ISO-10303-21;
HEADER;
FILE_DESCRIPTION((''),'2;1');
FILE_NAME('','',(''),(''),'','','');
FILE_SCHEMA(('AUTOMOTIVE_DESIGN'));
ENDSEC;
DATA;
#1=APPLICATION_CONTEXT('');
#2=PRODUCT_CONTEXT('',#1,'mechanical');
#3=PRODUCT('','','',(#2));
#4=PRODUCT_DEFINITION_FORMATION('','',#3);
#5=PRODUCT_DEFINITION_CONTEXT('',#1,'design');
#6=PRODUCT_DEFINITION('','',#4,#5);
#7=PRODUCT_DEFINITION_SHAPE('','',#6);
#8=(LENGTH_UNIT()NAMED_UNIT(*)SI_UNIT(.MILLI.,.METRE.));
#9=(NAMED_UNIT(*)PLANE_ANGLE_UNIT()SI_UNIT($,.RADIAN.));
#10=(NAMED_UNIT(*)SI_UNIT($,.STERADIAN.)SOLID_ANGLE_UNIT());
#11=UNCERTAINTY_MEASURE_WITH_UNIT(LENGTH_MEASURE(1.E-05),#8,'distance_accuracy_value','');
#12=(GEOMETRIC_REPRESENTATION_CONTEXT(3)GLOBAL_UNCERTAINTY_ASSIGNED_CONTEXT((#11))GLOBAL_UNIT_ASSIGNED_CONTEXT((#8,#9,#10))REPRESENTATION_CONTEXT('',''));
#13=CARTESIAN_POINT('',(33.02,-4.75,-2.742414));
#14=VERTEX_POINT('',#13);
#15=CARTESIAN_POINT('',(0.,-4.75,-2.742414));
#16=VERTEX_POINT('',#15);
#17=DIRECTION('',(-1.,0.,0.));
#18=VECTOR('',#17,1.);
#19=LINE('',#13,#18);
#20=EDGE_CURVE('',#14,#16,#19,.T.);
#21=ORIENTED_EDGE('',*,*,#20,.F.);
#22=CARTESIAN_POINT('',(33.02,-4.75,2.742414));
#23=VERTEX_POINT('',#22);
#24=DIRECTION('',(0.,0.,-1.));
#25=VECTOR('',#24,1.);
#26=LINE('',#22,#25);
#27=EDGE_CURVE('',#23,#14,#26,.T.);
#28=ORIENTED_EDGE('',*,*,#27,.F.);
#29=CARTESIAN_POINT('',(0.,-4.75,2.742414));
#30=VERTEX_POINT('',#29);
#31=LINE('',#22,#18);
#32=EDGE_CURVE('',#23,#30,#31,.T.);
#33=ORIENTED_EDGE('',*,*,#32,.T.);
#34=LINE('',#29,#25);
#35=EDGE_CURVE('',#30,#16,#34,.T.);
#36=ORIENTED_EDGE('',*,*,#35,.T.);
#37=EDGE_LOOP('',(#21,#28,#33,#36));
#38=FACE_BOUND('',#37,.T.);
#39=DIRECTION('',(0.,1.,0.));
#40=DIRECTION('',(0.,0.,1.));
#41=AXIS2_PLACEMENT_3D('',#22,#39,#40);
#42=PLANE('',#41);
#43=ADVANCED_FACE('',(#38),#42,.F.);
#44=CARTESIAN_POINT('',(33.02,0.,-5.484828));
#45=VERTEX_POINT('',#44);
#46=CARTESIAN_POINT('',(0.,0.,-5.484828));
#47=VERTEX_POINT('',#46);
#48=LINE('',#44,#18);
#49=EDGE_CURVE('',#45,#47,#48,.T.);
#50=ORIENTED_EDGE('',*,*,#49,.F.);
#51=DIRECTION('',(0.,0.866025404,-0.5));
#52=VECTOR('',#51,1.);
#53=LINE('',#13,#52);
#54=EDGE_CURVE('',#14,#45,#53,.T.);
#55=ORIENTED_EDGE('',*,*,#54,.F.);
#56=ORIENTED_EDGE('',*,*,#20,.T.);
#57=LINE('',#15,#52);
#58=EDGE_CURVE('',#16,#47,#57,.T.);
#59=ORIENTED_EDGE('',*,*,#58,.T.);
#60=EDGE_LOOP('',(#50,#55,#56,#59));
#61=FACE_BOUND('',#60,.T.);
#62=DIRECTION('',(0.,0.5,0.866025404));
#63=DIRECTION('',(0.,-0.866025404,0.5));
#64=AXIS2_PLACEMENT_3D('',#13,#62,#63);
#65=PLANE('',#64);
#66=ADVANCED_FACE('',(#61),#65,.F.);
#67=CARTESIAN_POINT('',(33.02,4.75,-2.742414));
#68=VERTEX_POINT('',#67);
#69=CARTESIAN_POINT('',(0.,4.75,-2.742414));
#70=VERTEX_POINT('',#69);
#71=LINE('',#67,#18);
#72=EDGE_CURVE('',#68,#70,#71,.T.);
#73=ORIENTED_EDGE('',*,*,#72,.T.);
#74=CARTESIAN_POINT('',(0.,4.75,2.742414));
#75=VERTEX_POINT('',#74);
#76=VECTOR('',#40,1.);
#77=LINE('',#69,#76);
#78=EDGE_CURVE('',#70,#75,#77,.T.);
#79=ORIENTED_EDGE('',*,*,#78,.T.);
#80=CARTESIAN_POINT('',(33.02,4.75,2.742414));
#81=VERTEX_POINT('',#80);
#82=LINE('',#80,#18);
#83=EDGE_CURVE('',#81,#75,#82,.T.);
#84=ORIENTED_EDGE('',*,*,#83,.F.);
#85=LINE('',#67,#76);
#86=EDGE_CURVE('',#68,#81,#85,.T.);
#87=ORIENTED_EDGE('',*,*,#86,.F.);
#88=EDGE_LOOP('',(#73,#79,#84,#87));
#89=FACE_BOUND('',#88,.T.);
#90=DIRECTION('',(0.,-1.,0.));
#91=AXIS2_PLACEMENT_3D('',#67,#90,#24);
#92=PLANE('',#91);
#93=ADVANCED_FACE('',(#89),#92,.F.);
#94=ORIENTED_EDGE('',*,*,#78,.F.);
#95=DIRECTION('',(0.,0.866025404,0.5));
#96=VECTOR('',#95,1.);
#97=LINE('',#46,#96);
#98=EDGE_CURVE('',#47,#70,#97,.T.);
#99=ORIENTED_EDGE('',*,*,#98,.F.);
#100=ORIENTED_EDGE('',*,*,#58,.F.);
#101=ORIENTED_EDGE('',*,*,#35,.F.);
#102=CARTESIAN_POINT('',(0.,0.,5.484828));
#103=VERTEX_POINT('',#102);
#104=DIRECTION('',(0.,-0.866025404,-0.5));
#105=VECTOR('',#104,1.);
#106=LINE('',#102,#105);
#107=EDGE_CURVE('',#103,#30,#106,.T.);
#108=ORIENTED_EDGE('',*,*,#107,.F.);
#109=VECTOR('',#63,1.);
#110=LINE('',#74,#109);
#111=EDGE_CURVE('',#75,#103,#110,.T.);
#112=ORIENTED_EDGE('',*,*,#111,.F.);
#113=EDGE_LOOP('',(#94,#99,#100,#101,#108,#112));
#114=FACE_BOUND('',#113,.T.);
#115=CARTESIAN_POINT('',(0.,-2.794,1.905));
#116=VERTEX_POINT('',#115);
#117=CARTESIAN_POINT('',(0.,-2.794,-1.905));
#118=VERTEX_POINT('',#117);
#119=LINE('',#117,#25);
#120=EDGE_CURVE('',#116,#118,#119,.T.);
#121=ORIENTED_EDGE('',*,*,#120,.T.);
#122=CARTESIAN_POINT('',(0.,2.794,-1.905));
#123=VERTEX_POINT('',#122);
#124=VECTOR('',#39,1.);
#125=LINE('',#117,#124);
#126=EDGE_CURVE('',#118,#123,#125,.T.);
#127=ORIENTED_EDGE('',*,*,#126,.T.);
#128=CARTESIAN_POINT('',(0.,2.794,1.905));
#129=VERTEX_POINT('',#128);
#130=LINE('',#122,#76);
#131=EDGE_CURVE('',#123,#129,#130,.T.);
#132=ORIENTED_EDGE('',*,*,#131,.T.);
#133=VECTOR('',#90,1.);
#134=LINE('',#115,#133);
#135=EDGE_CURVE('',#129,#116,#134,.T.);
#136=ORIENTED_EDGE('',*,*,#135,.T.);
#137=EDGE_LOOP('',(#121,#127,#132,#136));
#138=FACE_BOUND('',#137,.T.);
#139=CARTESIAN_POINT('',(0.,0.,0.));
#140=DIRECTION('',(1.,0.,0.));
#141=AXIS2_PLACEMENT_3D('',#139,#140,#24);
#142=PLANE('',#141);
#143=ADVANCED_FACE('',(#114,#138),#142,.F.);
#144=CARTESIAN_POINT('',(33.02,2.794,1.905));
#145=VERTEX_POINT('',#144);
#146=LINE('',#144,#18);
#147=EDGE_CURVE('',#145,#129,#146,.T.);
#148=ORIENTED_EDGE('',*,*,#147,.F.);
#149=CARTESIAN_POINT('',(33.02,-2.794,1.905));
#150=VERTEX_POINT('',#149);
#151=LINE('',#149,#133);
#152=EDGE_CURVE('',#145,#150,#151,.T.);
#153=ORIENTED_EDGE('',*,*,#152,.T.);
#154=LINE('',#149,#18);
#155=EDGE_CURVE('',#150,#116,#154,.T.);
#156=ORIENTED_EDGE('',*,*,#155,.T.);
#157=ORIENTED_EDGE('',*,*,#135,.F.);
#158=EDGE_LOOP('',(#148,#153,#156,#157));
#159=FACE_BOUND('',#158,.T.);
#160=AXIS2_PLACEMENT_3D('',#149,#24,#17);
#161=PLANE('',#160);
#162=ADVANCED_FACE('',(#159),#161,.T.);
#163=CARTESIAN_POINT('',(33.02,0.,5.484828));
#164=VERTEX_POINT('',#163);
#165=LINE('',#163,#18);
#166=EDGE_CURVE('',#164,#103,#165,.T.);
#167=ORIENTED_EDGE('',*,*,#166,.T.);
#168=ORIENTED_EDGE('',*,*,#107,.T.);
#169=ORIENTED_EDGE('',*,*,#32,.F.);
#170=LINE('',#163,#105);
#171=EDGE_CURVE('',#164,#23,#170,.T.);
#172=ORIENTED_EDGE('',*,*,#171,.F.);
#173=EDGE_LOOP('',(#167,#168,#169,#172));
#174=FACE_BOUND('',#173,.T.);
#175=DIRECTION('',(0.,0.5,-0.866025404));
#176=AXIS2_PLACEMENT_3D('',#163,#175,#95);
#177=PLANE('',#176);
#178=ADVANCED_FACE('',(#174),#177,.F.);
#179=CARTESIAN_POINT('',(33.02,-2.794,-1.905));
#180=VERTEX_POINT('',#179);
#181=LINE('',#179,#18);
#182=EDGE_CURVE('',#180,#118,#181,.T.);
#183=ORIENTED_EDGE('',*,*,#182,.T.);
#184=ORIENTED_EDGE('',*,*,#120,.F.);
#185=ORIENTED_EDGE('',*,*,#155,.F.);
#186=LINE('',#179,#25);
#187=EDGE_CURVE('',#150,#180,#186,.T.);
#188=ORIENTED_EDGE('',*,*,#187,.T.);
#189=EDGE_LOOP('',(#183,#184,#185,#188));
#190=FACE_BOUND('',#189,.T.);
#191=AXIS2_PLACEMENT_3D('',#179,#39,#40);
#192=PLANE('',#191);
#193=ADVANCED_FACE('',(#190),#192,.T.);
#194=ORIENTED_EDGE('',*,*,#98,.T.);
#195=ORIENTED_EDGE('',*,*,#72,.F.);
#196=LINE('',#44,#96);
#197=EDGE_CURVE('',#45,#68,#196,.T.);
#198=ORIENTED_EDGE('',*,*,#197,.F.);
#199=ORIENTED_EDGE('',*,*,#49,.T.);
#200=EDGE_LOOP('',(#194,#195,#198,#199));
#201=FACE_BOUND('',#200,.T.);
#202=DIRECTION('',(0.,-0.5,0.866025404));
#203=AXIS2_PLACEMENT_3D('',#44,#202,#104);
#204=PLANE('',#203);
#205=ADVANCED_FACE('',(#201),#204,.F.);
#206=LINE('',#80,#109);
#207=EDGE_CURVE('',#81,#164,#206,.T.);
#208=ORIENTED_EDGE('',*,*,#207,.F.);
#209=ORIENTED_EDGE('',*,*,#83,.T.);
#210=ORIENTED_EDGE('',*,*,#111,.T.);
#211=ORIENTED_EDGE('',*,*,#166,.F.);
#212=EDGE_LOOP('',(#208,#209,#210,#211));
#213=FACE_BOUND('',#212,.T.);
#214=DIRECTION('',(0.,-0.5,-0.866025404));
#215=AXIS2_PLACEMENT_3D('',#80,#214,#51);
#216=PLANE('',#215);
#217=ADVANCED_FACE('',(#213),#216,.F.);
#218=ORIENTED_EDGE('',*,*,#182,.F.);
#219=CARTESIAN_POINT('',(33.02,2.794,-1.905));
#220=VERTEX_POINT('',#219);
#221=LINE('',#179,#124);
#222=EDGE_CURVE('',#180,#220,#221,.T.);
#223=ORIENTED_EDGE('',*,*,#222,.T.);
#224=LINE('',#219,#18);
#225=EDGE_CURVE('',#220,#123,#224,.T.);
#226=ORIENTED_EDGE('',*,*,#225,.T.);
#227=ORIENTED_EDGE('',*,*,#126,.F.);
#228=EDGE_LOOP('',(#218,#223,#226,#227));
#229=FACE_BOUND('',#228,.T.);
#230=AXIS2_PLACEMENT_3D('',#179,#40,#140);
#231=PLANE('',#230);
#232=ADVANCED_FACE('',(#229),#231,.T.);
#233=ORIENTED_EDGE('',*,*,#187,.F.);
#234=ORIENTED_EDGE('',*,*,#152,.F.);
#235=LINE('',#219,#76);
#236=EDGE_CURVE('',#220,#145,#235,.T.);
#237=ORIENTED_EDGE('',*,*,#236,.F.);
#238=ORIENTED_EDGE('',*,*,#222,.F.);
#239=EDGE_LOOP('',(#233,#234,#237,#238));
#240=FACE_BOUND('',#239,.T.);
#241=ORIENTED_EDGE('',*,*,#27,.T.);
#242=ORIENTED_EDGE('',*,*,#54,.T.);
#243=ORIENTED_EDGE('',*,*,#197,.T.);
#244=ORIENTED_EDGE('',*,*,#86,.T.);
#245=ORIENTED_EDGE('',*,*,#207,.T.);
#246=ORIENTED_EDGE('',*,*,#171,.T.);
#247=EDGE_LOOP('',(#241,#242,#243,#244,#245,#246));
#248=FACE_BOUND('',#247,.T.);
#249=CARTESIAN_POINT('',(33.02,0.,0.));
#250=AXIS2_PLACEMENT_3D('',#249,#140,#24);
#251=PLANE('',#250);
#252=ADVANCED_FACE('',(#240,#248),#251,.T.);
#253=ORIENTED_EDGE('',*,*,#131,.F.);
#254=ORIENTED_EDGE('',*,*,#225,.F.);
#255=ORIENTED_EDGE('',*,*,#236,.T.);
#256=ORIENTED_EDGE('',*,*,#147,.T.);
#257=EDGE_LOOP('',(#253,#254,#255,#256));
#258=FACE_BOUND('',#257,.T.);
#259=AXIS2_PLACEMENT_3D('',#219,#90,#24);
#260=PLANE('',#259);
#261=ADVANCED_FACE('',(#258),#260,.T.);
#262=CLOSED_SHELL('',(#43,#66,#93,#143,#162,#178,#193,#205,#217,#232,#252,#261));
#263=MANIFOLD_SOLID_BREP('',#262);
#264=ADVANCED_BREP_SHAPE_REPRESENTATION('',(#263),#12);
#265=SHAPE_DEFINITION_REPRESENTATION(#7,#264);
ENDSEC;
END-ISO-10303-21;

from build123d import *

# Parameters (mm, degrees)
SKETCH1_W           = 3.81
SKETCH1_H           = 5.588
BOSS_EXTRUDE1_DEPTH = 33.02


with BuildPart() as part:
    # Sketch1 → Boss-Extrude1 (new body)
    with BuildSketch(Plane(origin=(0, 0, 0), x_dir=(0, 0, -1), z_dir=(1, 0, 0))):
        Polygon((-2.742413779, 4.75), (-5.484827557, 0), (-2.742413779, -4.75), (2.742413779, -4.75), (5.484827557, 0), (2.742413779, 4.75), align=None)
        Rectangle(SKETCH1_W, SKETCH1_H, mode=Mode.SUBTRACT)
    extrude(amount=BOSS_EXTRUDE1_DEPTH)


solid = part.part
